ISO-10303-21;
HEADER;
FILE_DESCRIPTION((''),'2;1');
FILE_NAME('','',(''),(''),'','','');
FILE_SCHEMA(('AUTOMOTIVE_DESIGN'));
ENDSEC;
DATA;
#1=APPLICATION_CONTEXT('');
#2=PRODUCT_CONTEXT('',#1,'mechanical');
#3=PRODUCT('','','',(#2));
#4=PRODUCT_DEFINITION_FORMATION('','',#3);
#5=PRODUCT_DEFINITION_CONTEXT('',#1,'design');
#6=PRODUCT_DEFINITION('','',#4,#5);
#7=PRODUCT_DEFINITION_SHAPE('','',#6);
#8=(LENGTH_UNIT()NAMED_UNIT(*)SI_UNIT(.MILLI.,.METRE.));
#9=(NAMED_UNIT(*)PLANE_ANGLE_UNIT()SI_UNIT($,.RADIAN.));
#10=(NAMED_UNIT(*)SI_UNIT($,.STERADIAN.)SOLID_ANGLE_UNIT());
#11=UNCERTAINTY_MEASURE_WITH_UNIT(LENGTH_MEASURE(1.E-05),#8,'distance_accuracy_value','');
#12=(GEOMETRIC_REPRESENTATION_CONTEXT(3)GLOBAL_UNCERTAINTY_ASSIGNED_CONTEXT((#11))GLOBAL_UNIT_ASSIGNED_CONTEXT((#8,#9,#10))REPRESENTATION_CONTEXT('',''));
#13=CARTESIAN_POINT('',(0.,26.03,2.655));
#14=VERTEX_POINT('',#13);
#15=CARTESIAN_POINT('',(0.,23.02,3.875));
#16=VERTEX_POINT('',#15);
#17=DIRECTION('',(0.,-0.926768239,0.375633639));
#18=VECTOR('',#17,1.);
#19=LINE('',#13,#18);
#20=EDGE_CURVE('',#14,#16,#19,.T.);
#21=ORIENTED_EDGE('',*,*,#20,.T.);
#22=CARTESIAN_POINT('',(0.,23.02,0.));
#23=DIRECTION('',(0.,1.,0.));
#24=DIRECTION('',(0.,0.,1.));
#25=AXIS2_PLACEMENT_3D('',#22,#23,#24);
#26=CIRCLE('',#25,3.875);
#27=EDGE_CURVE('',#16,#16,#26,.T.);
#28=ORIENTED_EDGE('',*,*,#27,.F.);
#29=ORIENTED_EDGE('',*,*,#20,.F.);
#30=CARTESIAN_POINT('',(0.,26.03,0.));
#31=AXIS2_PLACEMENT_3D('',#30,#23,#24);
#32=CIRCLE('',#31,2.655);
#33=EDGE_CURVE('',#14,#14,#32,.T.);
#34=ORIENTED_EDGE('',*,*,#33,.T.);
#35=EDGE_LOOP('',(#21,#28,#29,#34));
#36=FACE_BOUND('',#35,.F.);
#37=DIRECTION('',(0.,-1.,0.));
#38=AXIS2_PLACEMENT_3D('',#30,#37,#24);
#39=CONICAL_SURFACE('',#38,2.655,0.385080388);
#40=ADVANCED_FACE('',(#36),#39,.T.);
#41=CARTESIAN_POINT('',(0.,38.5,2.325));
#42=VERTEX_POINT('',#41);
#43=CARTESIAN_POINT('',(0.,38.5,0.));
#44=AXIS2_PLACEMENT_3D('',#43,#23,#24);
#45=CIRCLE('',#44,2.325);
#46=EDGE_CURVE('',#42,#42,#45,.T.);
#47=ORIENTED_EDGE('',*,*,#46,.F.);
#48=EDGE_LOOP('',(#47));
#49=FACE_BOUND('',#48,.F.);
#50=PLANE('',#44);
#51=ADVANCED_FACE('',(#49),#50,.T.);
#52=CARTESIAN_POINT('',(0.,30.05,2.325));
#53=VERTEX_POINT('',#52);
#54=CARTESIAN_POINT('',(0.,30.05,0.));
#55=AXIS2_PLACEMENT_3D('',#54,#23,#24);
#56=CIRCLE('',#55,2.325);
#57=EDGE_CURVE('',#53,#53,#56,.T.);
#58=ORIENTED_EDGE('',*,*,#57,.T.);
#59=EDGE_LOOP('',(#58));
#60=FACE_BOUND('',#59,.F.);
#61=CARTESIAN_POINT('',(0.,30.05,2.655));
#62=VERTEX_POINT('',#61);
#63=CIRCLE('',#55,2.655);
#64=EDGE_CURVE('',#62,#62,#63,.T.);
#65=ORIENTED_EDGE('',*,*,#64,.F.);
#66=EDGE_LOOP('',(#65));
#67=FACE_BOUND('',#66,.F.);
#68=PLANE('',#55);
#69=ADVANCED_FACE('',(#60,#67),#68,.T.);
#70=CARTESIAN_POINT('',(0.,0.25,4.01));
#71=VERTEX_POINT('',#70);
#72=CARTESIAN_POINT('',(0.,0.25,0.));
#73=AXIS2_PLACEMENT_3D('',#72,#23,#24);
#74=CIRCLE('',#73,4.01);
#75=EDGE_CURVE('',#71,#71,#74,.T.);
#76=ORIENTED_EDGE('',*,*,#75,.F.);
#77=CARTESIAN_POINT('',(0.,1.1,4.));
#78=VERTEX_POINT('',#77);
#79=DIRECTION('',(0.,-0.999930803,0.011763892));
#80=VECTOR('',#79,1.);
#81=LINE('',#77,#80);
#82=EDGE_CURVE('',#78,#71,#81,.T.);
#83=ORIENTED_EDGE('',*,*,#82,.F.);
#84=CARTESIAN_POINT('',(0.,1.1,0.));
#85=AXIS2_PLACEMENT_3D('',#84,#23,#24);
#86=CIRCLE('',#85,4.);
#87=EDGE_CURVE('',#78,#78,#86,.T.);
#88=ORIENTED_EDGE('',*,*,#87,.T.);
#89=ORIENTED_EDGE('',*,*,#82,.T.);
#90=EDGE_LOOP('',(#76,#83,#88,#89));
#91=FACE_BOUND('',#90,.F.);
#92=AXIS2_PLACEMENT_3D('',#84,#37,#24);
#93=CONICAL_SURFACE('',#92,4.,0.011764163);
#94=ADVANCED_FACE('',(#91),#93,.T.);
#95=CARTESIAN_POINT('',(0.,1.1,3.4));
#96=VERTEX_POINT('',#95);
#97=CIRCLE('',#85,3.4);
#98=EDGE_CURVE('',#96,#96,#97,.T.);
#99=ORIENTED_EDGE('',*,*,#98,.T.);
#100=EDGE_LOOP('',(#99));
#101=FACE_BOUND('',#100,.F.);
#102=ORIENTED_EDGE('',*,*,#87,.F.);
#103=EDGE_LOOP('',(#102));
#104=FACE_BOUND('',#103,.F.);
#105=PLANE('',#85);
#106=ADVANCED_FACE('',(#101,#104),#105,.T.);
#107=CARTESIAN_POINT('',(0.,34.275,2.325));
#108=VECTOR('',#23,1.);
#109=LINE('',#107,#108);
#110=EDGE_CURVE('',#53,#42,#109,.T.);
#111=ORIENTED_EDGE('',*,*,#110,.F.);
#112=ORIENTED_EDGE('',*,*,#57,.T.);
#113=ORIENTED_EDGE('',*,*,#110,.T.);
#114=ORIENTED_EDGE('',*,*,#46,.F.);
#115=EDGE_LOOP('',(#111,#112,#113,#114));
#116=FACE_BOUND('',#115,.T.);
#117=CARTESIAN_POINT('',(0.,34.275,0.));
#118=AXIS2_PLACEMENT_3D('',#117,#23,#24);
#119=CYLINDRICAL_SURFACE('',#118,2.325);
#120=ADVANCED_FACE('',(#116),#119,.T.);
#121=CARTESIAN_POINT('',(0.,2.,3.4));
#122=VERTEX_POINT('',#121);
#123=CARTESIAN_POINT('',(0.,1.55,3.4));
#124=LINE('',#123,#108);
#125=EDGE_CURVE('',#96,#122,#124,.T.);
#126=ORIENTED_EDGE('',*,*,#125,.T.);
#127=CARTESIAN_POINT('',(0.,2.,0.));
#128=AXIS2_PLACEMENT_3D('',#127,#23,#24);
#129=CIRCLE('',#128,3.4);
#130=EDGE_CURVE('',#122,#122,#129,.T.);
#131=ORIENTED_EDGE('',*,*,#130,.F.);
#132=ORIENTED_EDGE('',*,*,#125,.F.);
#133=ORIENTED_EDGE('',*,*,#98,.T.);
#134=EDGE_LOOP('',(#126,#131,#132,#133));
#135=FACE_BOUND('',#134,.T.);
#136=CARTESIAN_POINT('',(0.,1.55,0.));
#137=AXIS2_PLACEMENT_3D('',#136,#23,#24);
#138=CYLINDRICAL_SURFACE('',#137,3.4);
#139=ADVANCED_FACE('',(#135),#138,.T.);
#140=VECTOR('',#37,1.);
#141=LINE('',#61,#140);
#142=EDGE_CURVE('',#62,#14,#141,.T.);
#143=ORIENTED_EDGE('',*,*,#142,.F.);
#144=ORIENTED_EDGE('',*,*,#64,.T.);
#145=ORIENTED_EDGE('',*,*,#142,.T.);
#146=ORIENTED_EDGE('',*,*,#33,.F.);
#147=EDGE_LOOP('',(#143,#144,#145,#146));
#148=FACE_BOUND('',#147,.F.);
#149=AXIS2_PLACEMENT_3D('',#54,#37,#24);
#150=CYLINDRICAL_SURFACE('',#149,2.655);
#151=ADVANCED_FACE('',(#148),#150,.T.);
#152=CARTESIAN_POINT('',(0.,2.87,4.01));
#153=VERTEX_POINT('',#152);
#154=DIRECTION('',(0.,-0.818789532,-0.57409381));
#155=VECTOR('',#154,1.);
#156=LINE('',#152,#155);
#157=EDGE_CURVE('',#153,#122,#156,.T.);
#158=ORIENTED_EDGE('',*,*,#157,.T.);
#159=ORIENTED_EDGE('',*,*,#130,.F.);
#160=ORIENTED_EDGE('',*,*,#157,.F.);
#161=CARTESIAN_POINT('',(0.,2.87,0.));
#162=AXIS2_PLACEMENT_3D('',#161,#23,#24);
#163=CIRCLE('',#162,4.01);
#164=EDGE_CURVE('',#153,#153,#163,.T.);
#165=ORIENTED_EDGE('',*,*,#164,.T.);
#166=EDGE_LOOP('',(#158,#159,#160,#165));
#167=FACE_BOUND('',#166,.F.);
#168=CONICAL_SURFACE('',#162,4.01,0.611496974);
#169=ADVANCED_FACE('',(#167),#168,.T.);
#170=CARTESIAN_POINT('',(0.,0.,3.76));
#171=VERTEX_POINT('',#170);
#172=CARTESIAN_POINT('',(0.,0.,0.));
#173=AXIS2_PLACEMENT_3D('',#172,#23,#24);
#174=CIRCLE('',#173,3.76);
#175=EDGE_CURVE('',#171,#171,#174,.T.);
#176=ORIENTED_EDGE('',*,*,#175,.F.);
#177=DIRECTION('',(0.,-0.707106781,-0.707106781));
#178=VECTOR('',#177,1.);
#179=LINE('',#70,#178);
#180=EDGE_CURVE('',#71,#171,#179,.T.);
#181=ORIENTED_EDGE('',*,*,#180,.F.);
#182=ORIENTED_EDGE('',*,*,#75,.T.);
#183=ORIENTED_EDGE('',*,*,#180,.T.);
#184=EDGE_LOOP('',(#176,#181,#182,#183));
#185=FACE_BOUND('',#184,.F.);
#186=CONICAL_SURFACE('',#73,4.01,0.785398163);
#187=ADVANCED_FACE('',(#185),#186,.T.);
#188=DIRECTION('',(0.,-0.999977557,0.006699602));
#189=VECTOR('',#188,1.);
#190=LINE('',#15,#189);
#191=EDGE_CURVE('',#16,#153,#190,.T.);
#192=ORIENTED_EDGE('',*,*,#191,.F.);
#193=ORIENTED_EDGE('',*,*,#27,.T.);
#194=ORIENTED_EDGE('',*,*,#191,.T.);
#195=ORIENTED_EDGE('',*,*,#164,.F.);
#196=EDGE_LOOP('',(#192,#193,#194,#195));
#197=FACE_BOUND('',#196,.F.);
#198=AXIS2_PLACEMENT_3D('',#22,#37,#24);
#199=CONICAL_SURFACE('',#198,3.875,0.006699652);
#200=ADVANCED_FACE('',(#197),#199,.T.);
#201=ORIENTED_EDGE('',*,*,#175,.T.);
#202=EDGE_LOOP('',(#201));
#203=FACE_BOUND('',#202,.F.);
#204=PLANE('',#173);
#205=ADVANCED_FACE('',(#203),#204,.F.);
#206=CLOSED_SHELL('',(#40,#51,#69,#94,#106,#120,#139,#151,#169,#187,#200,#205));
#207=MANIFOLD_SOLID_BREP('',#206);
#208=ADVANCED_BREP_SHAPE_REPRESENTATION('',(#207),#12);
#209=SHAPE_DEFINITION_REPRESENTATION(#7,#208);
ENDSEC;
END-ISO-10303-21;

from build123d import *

# Parameters (mm, degrees)
F0_W   = 0.9
F0_H   = 3.4
F0_W_2 = 8.45
F0_H_2 = 2.325


with BuildPart() as f1:
    # F0 (on Right) → F1 (revolve)
    with BuildSketch(Plane.YZ):
        Polygon((0, 3.76), (0, 0), (0.25, 0), (1.1, 0), (1.1, 3.4), (1.1, 4), (0.25, 4.01), align=None)
        with Locations((1.55, 1.7)):
            Rectangle(F0_W, F0_H)
        Polygon((2, 3.4), (2, 0), (2.87, 0), (2.87, 4.01), align=None)
        Polygon((2.87, 4.01), (2.87, 0), (23.02, 0), (23.02, 3.875), align=None)
        Polygon((23.02, 3.875), (23.02, 0), (26.03, 0), (30.05, 0), (30.05, 2.325), (30.05, 2.655), (26.03, 2.655), align=None)
        with Locations((34.275, 1.1625)):
            Rectangle(F0_W_2, F0_H_2)
    revolve(axis=Axis((0, 12.945, 0), (0, 1, 0)))


solid = f1.part
